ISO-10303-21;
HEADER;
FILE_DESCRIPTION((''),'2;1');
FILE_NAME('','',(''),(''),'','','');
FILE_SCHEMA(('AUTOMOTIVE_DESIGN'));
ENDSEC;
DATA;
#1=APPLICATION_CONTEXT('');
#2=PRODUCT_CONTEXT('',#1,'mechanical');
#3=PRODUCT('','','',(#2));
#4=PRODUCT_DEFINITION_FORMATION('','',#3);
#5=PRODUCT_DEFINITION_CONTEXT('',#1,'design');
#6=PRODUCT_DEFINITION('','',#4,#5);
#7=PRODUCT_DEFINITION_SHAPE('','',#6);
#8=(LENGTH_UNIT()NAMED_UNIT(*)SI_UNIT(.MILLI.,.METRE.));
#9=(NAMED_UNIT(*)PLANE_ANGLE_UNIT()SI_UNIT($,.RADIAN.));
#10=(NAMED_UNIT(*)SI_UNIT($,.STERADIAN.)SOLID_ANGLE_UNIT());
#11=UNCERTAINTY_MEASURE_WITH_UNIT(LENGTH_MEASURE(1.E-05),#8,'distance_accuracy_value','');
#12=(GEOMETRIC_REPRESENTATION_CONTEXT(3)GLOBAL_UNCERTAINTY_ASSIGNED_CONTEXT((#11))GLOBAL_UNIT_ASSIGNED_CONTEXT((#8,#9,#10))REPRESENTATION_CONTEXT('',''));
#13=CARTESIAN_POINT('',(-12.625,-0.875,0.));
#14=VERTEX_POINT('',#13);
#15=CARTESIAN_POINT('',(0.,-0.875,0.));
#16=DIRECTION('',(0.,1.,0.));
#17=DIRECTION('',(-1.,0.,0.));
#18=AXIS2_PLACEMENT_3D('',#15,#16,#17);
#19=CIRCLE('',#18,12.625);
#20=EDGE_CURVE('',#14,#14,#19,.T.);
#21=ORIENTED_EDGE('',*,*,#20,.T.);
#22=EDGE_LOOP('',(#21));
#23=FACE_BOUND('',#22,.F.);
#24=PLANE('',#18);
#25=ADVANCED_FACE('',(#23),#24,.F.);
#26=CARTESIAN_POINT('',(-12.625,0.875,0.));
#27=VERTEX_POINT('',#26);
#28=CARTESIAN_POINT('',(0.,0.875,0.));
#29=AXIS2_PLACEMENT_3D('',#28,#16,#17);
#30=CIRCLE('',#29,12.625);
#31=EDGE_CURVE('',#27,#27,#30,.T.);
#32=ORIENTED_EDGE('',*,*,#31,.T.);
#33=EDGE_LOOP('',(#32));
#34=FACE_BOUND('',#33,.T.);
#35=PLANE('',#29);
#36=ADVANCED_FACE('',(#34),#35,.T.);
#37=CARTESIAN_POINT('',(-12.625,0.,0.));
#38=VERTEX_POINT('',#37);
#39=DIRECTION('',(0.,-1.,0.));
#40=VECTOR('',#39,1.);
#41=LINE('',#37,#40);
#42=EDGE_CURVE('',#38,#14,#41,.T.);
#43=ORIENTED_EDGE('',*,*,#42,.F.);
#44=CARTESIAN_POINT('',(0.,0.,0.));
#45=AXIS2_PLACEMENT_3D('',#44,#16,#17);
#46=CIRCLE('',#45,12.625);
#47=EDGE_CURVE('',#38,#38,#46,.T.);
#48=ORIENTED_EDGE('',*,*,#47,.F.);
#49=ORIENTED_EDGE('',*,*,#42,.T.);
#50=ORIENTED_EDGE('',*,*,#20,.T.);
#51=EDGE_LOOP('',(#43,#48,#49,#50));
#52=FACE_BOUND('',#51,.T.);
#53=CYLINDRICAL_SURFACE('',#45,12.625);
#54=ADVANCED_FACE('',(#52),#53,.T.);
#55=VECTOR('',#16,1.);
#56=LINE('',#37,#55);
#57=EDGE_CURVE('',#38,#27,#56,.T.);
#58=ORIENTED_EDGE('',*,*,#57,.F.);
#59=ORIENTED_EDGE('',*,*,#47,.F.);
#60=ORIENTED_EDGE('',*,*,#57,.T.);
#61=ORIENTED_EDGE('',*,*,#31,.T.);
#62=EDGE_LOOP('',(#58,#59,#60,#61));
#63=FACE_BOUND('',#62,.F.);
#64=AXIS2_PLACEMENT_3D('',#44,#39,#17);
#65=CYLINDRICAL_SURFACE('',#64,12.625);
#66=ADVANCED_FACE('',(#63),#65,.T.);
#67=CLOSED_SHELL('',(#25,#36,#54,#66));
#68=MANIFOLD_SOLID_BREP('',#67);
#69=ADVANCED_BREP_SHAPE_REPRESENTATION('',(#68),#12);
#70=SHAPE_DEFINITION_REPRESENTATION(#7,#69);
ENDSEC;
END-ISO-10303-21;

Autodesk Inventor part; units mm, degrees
ref_plane "YZ Plane" through (0, 0, 0) normal (1, 0, 0) x (0, 1, 0)
ref_plane "XZ Plane" through (0, 0, 0) normal (0, 1, 0) x (-1, 0, 0)
ref_plane "XY Plane" through (0, 0, 0) normal (0, 0, 1) x (1, 0, 0)
sketch "Sketch1" plane through (0, 0, 0) normal (0, 1, 0) x (-1, 0, 0)
  circle A0 centre (0, 0) radius 12.625
  dimension "d0" = 25.25
extrude "Extrusion1" add sketch "Sketch1" along normal mid plane 1.75
equation "\"d0\" = TitansDiameter"
equation "\"TitansDiameter\" = 25.25"
properties part number "FactionSpecial_Titans_Disks_Single" material "Paper"
